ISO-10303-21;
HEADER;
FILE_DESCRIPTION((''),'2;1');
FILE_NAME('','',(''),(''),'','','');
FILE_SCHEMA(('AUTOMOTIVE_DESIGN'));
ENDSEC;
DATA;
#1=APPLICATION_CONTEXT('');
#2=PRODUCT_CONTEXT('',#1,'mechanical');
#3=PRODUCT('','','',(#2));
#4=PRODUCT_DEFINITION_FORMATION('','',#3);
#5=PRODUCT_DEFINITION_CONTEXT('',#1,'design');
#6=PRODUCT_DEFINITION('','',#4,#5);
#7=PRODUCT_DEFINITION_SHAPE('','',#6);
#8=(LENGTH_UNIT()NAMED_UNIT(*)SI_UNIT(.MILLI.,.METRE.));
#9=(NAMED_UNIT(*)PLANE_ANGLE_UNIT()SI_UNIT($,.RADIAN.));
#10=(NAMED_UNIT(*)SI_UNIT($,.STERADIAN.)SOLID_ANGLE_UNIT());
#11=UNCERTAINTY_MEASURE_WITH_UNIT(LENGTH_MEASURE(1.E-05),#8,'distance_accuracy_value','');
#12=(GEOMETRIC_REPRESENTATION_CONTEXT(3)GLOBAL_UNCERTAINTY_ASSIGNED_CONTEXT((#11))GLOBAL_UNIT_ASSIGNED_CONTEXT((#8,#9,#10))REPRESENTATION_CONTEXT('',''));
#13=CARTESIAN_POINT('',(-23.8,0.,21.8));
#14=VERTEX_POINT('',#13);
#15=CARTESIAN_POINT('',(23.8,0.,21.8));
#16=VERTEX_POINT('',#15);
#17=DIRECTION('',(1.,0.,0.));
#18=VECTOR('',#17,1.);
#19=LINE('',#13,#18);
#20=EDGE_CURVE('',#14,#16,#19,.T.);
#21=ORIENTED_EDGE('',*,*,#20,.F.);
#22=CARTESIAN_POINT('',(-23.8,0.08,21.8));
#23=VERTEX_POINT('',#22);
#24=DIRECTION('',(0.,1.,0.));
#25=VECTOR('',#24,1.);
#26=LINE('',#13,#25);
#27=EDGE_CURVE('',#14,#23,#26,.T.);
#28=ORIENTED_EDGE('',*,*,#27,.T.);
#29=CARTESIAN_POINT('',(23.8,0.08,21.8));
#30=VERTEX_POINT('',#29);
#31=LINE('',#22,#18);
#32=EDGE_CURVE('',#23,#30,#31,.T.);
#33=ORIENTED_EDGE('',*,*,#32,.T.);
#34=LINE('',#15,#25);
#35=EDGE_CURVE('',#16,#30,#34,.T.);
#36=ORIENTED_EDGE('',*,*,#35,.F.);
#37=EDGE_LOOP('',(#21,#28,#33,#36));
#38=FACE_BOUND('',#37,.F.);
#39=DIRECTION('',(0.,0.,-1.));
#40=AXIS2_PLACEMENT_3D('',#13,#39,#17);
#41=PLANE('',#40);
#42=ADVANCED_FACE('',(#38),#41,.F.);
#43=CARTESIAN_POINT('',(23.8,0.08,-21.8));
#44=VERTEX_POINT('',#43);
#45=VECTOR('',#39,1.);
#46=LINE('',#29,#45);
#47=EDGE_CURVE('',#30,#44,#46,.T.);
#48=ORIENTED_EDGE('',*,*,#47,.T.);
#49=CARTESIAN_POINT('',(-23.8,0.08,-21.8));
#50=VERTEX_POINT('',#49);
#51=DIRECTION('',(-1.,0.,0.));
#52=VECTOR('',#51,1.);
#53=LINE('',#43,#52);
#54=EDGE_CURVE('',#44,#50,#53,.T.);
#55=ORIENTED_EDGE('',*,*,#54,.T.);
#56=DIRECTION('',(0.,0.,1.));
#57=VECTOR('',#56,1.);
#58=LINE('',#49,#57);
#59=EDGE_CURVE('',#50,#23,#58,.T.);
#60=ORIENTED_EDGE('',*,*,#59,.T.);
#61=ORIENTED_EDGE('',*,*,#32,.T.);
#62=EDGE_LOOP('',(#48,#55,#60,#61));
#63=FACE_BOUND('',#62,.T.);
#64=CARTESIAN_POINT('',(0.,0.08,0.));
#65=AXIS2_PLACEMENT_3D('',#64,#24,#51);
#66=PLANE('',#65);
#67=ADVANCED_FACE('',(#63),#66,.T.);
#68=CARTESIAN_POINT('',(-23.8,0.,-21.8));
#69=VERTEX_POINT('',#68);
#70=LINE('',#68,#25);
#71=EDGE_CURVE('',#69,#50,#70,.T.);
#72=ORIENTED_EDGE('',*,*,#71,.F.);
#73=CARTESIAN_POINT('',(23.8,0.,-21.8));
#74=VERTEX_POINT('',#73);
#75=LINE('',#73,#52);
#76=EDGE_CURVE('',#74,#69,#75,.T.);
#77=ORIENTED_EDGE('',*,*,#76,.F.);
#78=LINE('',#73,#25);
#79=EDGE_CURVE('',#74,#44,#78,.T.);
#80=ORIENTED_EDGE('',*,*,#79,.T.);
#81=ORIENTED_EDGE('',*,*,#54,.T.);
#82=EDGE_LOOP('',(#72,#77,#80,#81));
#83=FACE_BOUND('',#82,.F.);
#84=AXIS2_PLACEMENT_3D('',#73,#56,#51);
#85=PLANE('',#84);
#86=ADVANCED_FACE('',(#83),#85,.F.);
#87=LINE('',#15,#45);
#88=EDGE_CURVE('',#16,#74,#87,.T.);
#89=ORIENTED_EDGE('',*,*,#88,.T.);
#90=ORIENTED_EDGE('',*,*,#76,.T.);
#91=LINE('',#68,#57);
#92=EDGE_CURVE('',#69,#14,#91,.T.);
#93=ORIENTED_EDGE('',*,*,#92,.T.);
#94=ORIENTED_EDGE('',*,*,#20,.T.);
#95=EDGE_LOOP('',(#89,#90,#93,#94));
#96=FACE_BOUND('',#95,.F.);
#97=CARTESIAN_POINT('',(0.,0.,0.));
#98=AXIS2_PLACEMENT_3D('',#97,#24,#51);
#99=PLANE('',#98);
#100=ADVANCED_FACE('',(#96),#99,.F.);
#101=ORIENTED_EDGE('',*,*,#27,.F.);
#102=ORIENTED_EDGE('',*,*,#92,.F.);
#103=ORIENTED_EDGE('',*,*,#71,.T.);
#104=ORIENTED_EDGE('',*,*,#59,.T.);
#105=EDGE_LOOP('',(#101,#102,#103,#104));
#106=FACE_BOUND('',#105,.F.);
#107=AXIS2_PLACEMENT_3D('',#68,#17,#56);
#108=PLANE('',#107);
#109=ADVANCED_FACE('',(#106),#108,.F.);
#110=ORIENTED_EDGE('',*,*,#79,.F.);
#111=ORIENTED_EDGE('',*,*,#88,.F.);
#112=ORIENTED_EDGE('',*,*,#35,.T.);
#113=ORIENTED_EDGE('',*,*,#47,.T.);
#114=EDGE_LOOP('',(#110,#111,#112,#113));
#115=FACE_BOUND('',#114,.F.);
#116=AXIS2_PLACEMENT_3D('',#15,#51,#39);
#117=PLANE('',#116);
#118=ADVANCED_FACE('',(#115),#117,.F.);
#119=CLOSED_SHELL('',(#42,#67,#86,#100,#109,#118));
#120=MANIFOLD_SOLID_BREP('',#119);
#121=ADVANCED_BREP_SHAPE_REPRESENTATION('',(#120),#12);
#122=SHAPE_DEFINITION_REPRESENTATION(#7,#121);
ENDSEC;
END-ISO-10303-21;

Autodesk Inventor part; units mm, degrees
ref_plane "YZ Plane" through (0, 0, 0) normal (1, 0, 0) x (0, 1, 0)
ref_plane "XZ Plane" through (0, 0, 0) normal (0, 1, 0) x (-1, 0, 0)
ref_plane "XY Plane" through (0, 0, 0) normal (0, 0, 1) x (1, 0, 0)
sketch "Sketch1" plane through (0, 0, 0) normal (0, 1, 0) x (-1, 0, 0)
  line L0 (-23.8, -21.8) -> (23.8, -21.8)
  line L1 (23.8, -21.8) -> (23.8, 21.8)
  line L2 (23.8, 21.8) -> (-23.8, 21.8)
  line L3 (-23.8, 21.8) -> (-23.8, -21.8)
  line L4 (-23.8, -21.8) -> (23.8, 21.8) construction
  line L5 (23.8, -21.8) -> (-23.8, 21.8) construction
  point P0 (0, 0)
  dimension "d0" = 43.6
  dimension "d1" = 47.6
extrude "Extrusion1" add sketch "Sketch1" along normal blind 0.08
properties part number "Sensor Placement Film" material "Thermoplastic Resin"
